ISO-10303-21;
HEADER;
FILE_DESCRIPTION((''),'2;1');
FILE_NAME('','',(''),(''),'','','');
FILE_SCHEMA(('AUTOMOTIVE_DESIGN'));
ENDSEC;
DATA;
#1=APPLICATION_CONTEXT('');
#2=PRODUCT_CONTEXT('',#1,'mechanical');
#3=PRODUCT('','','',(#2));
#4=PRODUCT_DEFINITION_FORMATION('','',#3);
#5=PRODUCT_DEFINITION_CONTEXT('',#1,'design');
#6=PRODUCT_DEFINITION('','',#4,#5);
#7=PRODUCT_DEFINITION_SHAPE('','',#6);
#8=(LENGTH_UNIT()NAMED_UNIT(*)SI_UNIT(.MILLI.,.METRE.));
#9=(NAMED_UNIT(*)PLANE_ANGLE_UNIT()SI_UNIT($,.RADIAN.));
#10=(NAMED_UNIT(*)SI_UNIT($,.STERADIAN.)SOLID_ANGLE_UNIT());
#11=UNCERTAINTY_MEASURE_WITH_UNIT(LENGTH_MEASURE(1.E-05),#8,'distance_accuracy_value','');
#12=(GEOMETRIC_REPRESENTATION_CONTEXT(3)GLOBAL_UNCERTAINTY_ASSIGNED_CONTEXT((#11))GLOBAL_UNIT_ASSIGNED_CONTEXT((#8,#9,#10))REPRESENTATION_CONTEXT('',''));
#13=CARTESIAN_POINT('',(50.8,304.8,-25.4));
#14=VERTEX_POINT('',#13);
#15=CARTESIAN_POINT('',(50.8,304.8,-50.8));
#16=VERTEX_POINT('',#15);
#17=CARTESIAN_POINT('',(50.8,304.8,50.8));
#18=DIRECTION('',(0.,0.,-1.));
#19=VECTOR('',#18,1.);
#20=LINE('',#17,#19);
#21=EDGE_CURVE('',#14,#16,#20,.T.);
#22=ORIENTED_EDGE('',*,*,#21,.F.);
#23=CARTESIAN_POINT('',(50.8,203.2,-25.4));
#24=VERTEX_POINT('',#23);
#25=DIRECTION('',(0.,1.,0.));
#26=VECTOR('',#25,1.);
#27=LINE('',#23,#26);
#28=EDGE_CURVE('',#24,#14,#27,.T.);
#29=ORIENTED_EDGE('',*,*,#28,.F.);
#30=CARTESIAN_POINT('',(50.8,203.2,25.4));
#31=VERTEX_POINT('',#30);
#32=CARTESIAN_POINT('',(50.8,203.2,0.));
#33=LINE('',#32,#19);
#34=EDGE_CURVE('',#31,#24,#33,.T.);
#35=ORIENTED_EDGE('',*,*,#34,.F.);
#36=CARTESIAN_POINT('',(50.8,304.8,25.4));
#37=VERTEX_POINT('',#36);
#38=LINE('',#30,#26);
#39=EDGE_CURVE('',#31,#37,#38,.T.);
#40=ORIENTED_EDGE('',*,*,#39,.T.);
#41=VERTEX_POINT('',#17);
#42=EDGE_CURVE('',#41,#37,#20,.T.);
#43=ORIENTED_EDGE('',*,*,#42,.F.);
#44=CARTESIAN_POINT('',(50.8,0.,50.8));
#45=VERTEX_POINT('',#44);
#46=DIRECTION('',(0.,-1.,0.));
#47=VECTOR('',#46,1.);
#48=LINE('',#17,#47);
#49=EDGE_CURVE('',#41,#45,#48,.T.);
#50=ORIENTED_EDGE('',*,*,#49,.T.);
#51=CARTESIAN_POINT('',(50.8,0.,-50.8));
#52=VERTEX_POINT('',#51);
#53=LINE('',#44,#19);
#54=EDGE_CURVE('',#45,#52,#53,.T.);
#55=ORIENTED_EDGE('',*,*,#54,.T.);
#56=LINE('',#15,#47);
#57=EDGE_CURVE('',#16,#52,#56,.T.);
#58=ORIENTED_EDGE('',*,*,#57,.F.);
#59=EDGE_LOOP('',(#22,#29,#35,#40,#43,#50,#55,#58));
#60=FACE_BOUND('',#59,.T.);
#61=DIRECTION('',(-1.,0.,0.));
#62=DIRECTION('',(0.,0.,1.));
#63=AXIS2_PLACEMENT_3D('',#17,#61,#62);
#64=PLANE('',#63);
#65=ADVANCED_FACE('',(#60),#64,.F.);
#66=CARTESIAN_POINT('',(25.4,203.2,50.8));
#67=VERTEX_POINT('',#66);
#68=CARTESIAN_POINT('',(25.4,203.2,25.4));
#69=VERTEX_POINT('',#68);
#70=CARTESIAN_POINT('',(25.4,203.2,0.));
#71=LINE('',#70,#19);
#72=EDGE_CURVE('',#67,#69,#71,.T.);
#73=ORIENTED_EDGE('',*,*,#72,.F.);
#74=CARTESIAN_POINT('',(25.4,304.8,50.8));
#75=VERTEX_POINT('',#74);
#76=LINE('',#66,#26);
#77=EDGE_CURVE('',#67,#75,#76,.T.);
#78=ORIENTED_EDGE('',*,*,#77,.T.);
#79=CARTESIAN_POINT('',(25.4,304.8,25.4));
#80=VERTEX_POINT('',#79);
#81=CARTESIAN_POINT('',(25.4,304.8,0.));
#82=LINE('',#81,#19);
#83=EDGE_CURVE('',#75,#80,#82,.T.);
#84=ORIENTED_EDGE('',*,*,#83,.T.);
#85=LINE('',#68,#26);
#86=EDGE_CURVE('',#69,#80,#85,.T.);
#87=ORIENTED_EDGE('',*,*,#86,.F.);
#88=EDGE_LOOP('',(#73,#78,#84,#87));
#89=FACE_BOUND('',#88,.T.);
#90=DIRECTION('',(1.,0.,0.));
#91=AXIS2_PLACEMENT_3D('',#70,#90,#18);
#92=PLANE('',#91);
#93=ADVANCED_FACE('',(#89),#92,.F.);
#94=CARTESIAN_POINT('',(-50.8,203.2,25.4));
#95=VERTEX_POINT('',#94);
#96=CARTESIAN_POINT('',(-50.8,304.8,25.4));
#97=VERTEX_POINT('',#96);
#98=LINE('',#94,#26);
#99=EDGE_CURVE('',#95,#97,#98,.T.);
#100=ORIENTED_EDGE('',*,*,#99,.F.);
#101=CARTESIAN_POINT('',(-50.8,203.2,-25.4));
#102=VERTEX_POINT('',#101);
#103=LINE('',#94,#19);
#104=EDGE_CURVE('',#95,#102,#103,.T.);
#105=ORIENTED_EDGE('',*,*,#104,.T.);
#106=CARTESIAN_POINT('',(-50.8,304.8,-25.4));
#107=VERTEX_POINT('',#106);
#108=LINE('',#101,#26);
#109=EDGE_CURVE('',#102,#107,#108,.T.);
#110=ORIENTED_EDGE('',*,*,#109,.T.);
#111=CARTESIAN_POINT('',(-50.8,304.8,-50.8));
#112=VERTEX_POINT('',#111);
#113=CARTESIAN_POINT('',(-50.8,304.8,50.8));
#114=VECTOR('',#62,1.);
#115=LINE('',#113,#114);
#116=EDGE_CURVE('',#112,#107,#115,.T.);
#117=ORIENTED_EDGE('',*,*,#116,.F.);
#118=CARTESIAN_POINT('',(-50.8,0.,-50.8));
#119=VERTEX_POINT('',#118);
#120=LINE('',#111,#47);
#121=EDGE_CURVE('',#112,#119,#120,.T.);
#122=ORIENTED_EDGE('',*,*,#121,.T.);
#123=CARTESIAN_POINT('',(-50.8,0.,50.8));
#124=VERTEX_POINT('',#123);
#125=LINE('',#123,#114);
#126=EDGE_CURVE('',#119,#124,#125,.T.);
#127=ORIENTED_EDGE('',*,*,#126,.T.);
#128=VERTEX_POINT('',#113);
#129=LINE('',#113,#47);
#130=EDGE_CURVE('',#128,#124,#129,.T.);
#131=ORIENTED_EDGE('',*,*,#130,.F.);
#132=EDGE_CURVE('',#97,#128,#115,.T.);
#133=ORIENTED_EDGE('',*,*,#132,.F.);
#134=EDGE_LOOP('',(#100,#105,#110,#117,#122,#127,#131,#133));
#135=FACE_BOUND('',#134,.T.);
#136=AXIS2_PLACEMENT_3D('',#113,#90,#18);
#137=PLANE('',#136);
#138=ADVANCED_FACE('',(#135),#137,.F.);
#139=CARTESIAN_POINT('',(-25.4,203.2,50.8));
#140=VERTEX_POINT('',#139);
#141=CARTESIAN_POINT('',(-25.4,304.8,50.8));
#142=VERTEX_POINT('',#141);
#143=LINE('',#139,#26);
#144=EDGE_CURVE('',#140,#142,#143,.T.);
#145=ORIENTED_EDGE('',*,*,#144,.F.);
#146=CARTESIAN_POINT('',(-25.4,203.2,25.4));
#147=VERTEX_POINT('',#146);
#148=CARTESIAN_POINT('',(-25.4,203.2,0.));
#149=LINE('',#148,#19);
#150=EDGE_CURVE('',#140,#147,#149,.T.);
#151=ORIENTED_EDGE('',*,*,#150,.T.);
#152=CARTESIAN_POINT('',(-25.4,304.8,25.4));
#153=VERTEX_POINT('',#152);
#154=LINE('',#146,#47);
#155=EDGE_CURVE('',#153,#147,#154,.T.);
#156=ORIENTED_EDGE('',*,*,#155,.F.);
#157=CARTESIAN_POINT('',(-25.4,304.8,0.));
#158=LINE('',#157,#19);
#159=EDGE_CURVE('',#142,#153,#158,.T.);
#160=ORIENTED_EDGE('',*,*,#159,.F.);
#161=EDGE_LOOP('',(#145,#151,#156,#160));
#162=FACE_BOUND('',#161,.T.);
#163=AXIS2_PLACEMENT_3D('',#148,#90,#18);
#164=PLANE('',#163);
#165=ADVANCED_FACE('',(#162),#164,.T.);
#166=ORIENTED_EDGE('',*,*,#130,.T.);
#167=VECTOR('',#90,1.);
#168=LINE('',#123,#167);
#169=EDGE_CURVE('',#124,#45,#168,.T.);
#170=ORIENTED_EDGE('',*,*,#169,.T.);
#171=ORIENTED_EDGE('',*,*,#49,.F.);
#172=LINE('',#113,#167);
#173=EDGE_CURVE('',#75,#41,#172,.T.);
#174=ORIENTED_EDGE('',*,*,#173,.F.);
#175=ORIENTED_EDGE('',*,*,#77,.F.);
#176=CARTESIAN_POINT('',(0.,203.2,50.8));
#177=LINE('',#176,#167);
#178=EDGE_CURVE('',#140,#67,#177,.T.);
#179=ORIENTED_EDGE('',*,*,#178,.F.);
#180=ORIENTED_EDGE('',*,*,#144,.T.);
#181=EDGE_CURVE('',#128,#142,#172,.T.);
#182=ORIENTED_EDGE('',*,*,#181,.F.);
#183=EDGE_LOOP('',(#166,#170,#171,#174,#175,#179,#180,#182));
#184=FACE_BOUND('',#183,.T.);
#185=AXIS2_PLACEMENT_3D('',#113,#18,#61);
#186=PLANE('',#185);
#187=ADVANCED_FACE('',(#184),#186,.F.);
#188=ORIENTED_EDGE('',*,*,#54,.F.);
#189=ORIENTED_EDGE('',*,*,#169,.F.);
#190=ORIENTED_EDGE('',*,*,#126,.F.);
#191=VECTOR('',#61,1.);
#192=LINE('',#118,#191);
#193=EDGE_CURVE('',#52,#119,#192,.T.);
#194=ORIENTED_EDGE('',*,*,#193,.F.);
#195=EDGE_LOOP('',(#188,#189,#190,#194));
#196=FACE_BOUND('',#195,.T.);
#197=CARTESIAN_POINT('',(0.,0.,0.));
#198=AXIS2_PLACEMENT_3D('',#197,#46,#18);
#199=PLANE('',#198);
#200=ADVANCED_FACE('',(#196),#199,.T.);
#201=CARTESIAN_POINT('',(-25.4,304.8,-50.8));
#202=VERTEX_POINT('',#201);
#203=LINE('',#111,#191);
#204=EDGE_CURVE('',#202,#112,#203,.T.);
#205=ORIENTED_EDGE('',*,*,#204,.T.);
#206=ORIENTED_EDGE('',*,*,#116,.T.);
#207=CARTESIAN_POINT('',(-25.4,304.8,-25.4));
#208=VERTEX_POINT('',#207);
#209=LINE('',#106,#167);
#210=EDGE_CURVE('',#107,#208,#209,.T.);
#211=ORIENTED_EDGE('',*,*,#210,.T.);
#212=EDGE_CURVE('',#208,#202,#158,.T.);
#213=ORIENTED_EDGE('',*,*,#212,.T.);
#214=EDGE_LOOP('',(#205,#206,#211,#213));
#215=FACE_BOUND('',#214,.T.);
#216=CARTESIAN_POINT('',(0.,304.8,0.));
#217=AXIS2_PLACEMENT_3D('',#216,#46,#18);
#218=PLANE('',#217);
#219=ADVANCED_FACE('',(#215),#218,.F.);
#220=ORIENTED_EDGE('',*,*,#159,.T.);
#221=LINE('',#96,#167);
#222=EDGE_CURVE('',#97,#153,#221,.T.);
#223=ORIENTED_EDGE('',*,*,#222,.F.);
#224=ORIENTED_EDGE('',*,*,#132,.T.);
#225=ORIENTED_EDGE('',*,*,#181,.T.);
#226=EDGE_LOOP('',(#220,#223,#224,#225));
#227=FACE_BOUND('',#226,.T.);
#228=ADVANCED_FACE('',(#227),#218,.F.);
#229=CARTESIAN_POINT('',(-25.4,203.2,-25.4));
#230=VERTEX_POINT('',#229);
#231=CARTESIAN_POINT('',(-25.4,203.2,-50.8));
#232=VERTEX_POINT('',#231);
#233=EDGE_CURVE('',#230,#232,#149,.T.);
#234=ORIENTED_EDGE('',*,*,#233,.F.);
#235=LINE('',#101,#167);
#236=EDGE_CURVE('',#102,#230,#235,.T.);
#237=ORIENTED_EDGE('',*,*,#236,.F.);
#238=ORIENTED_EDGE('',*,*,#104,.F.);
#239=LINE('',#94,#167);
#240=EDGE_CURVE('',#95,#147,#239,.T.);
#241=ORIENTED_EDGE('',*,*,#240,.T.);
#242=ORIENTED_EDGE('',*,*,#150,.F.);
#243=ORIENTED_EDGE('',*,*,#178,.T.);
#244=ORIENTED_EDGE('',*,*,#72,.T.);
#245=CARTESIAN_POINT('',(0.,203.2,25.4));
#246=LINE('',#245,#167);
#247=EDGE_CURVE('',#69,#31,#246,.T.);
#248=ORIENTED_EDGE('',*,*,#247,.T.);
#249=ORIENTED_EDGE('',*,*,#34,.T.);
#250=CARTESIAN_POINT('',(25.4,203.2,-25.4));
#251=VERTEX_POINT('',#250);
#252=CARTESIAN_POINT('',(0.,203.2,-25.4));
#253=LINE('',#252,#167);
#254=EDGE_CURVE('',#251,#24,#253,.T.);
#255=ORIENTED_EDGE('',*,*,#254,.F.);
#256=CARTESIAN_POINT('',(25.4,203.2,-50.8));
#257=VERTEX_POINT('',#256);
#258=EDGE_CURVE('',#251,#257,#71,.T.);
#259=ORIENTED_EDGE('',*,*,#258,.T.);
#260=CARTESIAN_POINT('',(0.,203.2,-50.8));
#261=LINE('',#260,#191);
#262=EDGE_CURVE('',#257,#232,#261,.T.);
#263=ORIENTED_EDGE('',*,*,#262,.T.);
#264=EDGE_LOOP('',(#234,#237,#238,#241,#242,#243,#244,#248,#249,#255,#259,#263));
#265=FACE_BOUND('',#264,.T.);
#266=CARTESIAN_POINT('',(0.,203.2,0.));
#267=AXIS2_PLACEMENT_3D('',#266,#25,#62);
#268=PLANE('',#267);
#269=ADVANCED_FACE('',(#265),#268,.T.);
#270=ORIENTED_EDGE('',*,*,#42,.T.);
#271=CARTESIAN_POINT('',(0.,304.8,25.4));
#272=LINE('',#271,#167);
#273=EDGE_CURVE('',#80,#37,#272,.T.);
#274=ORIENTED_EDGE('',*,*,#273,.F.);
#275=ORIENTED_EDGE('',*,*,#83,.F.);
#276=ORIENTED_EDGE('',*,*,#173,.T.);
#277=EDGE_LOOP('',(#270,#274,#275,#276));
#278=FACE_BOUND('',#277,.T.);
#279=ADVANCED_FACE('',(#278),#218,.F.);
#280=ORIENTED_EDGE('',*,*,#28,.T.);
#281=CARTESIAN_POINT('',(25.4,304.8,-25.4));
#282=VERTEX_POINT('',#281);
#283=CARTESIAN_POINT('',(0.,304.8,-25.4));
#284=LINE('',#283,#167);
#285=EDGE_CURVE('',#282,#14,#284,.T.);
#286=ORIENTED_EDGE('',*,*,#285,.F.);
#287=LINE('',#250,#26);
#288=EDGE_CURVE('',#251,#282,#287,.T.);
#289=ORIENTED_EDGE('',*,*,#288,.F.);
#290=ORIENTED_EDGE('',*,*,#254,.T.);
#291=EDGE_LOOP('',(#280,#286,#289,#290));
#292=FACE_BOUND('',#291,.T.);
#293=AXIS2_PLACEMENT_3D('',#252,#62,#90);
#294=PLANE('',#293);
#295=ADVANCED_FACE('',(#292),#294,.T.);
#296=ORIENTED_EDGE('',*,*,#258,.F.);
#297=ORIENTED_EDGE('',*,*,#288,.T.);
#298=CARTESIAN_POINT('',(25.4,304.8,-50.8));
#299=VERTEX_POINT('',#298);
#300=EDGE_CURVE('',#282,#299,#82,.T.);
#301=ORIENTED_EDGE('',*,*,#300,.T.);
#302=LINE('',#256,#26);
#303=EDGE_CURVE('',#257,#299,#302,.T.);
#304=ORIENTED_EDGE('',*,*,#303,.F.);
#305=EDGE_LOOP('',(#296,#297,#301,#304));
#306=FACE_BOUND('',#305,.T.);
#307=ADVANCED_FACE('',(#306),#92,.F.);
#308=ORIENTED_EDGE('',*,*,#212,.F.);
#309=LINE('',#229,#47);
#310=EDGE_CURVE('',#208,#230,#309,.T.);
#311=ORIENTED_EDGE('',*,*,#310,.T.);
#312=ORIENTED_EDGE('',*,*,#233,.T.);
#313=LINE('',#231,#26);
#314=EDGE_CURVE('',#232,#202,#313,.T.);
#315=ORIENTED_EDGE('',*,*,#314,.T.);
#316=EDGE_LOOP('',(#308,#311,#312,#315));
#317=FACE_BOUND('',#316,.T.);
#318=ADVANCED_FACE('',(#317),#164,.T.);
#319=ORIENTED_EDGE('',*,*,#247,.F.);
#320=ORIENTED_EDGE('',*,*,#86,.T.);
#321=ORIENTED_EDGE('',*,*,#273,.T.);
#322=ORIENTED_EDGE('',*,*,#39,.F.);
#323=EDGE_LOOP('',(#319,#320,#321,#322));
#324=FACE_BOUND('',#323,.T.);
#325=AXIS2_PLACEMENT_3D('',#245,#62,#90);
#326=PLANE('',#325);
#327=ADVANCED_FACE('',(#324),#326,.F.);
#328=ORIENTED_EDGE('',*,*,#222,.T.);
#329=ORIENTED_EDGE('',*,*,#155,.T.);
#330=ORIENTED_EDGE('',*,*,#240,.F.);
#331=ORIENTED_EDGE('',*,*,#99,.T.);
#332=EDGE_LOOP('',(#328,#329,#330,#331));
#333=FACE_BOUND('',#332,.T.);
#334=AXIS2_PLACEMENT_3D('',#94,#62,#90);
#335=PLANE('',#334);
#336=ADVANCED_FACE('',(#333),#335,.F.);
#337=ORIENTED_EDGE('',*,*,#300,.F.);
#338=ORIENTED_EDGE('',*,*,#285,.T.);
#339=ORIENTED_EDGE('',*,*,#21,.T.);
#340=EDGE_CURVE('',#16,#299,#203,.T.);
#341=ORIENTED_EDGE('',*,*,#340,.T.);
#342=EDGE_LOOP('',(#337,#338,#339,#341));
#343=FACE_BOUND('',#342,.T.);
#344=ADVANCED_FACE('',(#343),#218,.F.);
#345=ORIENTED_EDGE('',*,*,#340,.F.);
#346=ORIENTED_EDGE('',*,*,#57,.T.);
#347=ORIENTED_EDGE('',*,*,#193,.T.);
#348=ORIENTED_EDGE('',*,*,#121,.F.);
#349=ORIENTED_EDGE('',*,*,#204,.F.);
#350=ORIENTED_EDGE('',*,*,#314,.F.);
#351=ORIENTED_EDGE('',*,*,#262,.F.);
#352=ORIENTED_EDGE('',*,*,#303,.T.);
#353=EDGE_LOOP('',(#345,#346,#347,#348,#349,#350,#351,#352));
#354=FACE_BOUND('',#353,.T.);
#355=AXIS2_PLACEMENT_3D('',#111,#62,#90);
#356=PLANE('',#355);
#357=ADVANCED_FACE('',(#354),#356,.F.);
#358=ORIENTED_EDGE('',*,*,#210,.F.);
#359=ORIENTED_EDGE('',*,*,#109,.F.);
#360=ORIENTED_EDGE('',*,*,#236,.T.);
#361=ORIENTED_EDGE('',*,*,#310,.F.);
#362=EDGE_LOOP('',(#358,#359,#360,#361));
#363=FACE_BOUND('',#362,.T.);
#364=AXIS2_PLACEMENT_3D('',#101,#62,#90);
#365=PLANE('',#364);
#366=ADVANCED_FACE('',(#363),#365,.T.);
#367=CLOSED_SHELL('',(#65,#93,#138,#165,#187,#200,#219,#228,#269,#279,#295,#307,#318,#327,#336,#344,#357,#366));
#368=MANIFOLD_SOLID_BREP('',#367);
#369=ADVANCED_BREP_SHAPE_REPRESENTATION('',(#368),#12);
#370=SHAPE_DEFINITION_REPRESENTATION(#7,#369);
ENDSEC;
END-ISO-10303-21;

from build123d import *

# Parameters (mm, degrees)
SKETCH1_W           = 101.6
SKETCH1_H           = 101.6
BOSS_EXTRUDE1_DEPTH = 304.8
SKETCH2_W           = 50.8
SKETCH2_H           = 101.6
SKETCH2_W_2         = 101.6
SKETCH2_H_2         = 50.8
CUT_EXTRUDE3_DEPTH  = 101.6


with BuildPart() as part:
    # Sketch1 → Boss-Extrude1 (new body)
    with BuildSketch(Plane(origin=(0, 0, 0), x_dir=(1, 0, 0), z_dir=(0, 1, 0))):
        Rectangle(SKETCH1_W, SKETCH1_H)
    extrude(amount=BOSS_EXTRUDE1_DEPTH)

    # Sketch2 → Cut-Extrude3 (cut)
    with BuildSketch(Plane(origin=(0, 304.8, 0), x_dir=(1, 0, 0), z_dir=(0, 1, 0))):
        Rectangle(SKETCH2_W, SKETCH2_H)
        Rectangle(SKETCH2_W_2, SKETCH2_H_2)
    extrude(amount=-CUT_EXTRUDE3_DEPTH, mode=Mode.SUBTRACT)


solid = part.part
